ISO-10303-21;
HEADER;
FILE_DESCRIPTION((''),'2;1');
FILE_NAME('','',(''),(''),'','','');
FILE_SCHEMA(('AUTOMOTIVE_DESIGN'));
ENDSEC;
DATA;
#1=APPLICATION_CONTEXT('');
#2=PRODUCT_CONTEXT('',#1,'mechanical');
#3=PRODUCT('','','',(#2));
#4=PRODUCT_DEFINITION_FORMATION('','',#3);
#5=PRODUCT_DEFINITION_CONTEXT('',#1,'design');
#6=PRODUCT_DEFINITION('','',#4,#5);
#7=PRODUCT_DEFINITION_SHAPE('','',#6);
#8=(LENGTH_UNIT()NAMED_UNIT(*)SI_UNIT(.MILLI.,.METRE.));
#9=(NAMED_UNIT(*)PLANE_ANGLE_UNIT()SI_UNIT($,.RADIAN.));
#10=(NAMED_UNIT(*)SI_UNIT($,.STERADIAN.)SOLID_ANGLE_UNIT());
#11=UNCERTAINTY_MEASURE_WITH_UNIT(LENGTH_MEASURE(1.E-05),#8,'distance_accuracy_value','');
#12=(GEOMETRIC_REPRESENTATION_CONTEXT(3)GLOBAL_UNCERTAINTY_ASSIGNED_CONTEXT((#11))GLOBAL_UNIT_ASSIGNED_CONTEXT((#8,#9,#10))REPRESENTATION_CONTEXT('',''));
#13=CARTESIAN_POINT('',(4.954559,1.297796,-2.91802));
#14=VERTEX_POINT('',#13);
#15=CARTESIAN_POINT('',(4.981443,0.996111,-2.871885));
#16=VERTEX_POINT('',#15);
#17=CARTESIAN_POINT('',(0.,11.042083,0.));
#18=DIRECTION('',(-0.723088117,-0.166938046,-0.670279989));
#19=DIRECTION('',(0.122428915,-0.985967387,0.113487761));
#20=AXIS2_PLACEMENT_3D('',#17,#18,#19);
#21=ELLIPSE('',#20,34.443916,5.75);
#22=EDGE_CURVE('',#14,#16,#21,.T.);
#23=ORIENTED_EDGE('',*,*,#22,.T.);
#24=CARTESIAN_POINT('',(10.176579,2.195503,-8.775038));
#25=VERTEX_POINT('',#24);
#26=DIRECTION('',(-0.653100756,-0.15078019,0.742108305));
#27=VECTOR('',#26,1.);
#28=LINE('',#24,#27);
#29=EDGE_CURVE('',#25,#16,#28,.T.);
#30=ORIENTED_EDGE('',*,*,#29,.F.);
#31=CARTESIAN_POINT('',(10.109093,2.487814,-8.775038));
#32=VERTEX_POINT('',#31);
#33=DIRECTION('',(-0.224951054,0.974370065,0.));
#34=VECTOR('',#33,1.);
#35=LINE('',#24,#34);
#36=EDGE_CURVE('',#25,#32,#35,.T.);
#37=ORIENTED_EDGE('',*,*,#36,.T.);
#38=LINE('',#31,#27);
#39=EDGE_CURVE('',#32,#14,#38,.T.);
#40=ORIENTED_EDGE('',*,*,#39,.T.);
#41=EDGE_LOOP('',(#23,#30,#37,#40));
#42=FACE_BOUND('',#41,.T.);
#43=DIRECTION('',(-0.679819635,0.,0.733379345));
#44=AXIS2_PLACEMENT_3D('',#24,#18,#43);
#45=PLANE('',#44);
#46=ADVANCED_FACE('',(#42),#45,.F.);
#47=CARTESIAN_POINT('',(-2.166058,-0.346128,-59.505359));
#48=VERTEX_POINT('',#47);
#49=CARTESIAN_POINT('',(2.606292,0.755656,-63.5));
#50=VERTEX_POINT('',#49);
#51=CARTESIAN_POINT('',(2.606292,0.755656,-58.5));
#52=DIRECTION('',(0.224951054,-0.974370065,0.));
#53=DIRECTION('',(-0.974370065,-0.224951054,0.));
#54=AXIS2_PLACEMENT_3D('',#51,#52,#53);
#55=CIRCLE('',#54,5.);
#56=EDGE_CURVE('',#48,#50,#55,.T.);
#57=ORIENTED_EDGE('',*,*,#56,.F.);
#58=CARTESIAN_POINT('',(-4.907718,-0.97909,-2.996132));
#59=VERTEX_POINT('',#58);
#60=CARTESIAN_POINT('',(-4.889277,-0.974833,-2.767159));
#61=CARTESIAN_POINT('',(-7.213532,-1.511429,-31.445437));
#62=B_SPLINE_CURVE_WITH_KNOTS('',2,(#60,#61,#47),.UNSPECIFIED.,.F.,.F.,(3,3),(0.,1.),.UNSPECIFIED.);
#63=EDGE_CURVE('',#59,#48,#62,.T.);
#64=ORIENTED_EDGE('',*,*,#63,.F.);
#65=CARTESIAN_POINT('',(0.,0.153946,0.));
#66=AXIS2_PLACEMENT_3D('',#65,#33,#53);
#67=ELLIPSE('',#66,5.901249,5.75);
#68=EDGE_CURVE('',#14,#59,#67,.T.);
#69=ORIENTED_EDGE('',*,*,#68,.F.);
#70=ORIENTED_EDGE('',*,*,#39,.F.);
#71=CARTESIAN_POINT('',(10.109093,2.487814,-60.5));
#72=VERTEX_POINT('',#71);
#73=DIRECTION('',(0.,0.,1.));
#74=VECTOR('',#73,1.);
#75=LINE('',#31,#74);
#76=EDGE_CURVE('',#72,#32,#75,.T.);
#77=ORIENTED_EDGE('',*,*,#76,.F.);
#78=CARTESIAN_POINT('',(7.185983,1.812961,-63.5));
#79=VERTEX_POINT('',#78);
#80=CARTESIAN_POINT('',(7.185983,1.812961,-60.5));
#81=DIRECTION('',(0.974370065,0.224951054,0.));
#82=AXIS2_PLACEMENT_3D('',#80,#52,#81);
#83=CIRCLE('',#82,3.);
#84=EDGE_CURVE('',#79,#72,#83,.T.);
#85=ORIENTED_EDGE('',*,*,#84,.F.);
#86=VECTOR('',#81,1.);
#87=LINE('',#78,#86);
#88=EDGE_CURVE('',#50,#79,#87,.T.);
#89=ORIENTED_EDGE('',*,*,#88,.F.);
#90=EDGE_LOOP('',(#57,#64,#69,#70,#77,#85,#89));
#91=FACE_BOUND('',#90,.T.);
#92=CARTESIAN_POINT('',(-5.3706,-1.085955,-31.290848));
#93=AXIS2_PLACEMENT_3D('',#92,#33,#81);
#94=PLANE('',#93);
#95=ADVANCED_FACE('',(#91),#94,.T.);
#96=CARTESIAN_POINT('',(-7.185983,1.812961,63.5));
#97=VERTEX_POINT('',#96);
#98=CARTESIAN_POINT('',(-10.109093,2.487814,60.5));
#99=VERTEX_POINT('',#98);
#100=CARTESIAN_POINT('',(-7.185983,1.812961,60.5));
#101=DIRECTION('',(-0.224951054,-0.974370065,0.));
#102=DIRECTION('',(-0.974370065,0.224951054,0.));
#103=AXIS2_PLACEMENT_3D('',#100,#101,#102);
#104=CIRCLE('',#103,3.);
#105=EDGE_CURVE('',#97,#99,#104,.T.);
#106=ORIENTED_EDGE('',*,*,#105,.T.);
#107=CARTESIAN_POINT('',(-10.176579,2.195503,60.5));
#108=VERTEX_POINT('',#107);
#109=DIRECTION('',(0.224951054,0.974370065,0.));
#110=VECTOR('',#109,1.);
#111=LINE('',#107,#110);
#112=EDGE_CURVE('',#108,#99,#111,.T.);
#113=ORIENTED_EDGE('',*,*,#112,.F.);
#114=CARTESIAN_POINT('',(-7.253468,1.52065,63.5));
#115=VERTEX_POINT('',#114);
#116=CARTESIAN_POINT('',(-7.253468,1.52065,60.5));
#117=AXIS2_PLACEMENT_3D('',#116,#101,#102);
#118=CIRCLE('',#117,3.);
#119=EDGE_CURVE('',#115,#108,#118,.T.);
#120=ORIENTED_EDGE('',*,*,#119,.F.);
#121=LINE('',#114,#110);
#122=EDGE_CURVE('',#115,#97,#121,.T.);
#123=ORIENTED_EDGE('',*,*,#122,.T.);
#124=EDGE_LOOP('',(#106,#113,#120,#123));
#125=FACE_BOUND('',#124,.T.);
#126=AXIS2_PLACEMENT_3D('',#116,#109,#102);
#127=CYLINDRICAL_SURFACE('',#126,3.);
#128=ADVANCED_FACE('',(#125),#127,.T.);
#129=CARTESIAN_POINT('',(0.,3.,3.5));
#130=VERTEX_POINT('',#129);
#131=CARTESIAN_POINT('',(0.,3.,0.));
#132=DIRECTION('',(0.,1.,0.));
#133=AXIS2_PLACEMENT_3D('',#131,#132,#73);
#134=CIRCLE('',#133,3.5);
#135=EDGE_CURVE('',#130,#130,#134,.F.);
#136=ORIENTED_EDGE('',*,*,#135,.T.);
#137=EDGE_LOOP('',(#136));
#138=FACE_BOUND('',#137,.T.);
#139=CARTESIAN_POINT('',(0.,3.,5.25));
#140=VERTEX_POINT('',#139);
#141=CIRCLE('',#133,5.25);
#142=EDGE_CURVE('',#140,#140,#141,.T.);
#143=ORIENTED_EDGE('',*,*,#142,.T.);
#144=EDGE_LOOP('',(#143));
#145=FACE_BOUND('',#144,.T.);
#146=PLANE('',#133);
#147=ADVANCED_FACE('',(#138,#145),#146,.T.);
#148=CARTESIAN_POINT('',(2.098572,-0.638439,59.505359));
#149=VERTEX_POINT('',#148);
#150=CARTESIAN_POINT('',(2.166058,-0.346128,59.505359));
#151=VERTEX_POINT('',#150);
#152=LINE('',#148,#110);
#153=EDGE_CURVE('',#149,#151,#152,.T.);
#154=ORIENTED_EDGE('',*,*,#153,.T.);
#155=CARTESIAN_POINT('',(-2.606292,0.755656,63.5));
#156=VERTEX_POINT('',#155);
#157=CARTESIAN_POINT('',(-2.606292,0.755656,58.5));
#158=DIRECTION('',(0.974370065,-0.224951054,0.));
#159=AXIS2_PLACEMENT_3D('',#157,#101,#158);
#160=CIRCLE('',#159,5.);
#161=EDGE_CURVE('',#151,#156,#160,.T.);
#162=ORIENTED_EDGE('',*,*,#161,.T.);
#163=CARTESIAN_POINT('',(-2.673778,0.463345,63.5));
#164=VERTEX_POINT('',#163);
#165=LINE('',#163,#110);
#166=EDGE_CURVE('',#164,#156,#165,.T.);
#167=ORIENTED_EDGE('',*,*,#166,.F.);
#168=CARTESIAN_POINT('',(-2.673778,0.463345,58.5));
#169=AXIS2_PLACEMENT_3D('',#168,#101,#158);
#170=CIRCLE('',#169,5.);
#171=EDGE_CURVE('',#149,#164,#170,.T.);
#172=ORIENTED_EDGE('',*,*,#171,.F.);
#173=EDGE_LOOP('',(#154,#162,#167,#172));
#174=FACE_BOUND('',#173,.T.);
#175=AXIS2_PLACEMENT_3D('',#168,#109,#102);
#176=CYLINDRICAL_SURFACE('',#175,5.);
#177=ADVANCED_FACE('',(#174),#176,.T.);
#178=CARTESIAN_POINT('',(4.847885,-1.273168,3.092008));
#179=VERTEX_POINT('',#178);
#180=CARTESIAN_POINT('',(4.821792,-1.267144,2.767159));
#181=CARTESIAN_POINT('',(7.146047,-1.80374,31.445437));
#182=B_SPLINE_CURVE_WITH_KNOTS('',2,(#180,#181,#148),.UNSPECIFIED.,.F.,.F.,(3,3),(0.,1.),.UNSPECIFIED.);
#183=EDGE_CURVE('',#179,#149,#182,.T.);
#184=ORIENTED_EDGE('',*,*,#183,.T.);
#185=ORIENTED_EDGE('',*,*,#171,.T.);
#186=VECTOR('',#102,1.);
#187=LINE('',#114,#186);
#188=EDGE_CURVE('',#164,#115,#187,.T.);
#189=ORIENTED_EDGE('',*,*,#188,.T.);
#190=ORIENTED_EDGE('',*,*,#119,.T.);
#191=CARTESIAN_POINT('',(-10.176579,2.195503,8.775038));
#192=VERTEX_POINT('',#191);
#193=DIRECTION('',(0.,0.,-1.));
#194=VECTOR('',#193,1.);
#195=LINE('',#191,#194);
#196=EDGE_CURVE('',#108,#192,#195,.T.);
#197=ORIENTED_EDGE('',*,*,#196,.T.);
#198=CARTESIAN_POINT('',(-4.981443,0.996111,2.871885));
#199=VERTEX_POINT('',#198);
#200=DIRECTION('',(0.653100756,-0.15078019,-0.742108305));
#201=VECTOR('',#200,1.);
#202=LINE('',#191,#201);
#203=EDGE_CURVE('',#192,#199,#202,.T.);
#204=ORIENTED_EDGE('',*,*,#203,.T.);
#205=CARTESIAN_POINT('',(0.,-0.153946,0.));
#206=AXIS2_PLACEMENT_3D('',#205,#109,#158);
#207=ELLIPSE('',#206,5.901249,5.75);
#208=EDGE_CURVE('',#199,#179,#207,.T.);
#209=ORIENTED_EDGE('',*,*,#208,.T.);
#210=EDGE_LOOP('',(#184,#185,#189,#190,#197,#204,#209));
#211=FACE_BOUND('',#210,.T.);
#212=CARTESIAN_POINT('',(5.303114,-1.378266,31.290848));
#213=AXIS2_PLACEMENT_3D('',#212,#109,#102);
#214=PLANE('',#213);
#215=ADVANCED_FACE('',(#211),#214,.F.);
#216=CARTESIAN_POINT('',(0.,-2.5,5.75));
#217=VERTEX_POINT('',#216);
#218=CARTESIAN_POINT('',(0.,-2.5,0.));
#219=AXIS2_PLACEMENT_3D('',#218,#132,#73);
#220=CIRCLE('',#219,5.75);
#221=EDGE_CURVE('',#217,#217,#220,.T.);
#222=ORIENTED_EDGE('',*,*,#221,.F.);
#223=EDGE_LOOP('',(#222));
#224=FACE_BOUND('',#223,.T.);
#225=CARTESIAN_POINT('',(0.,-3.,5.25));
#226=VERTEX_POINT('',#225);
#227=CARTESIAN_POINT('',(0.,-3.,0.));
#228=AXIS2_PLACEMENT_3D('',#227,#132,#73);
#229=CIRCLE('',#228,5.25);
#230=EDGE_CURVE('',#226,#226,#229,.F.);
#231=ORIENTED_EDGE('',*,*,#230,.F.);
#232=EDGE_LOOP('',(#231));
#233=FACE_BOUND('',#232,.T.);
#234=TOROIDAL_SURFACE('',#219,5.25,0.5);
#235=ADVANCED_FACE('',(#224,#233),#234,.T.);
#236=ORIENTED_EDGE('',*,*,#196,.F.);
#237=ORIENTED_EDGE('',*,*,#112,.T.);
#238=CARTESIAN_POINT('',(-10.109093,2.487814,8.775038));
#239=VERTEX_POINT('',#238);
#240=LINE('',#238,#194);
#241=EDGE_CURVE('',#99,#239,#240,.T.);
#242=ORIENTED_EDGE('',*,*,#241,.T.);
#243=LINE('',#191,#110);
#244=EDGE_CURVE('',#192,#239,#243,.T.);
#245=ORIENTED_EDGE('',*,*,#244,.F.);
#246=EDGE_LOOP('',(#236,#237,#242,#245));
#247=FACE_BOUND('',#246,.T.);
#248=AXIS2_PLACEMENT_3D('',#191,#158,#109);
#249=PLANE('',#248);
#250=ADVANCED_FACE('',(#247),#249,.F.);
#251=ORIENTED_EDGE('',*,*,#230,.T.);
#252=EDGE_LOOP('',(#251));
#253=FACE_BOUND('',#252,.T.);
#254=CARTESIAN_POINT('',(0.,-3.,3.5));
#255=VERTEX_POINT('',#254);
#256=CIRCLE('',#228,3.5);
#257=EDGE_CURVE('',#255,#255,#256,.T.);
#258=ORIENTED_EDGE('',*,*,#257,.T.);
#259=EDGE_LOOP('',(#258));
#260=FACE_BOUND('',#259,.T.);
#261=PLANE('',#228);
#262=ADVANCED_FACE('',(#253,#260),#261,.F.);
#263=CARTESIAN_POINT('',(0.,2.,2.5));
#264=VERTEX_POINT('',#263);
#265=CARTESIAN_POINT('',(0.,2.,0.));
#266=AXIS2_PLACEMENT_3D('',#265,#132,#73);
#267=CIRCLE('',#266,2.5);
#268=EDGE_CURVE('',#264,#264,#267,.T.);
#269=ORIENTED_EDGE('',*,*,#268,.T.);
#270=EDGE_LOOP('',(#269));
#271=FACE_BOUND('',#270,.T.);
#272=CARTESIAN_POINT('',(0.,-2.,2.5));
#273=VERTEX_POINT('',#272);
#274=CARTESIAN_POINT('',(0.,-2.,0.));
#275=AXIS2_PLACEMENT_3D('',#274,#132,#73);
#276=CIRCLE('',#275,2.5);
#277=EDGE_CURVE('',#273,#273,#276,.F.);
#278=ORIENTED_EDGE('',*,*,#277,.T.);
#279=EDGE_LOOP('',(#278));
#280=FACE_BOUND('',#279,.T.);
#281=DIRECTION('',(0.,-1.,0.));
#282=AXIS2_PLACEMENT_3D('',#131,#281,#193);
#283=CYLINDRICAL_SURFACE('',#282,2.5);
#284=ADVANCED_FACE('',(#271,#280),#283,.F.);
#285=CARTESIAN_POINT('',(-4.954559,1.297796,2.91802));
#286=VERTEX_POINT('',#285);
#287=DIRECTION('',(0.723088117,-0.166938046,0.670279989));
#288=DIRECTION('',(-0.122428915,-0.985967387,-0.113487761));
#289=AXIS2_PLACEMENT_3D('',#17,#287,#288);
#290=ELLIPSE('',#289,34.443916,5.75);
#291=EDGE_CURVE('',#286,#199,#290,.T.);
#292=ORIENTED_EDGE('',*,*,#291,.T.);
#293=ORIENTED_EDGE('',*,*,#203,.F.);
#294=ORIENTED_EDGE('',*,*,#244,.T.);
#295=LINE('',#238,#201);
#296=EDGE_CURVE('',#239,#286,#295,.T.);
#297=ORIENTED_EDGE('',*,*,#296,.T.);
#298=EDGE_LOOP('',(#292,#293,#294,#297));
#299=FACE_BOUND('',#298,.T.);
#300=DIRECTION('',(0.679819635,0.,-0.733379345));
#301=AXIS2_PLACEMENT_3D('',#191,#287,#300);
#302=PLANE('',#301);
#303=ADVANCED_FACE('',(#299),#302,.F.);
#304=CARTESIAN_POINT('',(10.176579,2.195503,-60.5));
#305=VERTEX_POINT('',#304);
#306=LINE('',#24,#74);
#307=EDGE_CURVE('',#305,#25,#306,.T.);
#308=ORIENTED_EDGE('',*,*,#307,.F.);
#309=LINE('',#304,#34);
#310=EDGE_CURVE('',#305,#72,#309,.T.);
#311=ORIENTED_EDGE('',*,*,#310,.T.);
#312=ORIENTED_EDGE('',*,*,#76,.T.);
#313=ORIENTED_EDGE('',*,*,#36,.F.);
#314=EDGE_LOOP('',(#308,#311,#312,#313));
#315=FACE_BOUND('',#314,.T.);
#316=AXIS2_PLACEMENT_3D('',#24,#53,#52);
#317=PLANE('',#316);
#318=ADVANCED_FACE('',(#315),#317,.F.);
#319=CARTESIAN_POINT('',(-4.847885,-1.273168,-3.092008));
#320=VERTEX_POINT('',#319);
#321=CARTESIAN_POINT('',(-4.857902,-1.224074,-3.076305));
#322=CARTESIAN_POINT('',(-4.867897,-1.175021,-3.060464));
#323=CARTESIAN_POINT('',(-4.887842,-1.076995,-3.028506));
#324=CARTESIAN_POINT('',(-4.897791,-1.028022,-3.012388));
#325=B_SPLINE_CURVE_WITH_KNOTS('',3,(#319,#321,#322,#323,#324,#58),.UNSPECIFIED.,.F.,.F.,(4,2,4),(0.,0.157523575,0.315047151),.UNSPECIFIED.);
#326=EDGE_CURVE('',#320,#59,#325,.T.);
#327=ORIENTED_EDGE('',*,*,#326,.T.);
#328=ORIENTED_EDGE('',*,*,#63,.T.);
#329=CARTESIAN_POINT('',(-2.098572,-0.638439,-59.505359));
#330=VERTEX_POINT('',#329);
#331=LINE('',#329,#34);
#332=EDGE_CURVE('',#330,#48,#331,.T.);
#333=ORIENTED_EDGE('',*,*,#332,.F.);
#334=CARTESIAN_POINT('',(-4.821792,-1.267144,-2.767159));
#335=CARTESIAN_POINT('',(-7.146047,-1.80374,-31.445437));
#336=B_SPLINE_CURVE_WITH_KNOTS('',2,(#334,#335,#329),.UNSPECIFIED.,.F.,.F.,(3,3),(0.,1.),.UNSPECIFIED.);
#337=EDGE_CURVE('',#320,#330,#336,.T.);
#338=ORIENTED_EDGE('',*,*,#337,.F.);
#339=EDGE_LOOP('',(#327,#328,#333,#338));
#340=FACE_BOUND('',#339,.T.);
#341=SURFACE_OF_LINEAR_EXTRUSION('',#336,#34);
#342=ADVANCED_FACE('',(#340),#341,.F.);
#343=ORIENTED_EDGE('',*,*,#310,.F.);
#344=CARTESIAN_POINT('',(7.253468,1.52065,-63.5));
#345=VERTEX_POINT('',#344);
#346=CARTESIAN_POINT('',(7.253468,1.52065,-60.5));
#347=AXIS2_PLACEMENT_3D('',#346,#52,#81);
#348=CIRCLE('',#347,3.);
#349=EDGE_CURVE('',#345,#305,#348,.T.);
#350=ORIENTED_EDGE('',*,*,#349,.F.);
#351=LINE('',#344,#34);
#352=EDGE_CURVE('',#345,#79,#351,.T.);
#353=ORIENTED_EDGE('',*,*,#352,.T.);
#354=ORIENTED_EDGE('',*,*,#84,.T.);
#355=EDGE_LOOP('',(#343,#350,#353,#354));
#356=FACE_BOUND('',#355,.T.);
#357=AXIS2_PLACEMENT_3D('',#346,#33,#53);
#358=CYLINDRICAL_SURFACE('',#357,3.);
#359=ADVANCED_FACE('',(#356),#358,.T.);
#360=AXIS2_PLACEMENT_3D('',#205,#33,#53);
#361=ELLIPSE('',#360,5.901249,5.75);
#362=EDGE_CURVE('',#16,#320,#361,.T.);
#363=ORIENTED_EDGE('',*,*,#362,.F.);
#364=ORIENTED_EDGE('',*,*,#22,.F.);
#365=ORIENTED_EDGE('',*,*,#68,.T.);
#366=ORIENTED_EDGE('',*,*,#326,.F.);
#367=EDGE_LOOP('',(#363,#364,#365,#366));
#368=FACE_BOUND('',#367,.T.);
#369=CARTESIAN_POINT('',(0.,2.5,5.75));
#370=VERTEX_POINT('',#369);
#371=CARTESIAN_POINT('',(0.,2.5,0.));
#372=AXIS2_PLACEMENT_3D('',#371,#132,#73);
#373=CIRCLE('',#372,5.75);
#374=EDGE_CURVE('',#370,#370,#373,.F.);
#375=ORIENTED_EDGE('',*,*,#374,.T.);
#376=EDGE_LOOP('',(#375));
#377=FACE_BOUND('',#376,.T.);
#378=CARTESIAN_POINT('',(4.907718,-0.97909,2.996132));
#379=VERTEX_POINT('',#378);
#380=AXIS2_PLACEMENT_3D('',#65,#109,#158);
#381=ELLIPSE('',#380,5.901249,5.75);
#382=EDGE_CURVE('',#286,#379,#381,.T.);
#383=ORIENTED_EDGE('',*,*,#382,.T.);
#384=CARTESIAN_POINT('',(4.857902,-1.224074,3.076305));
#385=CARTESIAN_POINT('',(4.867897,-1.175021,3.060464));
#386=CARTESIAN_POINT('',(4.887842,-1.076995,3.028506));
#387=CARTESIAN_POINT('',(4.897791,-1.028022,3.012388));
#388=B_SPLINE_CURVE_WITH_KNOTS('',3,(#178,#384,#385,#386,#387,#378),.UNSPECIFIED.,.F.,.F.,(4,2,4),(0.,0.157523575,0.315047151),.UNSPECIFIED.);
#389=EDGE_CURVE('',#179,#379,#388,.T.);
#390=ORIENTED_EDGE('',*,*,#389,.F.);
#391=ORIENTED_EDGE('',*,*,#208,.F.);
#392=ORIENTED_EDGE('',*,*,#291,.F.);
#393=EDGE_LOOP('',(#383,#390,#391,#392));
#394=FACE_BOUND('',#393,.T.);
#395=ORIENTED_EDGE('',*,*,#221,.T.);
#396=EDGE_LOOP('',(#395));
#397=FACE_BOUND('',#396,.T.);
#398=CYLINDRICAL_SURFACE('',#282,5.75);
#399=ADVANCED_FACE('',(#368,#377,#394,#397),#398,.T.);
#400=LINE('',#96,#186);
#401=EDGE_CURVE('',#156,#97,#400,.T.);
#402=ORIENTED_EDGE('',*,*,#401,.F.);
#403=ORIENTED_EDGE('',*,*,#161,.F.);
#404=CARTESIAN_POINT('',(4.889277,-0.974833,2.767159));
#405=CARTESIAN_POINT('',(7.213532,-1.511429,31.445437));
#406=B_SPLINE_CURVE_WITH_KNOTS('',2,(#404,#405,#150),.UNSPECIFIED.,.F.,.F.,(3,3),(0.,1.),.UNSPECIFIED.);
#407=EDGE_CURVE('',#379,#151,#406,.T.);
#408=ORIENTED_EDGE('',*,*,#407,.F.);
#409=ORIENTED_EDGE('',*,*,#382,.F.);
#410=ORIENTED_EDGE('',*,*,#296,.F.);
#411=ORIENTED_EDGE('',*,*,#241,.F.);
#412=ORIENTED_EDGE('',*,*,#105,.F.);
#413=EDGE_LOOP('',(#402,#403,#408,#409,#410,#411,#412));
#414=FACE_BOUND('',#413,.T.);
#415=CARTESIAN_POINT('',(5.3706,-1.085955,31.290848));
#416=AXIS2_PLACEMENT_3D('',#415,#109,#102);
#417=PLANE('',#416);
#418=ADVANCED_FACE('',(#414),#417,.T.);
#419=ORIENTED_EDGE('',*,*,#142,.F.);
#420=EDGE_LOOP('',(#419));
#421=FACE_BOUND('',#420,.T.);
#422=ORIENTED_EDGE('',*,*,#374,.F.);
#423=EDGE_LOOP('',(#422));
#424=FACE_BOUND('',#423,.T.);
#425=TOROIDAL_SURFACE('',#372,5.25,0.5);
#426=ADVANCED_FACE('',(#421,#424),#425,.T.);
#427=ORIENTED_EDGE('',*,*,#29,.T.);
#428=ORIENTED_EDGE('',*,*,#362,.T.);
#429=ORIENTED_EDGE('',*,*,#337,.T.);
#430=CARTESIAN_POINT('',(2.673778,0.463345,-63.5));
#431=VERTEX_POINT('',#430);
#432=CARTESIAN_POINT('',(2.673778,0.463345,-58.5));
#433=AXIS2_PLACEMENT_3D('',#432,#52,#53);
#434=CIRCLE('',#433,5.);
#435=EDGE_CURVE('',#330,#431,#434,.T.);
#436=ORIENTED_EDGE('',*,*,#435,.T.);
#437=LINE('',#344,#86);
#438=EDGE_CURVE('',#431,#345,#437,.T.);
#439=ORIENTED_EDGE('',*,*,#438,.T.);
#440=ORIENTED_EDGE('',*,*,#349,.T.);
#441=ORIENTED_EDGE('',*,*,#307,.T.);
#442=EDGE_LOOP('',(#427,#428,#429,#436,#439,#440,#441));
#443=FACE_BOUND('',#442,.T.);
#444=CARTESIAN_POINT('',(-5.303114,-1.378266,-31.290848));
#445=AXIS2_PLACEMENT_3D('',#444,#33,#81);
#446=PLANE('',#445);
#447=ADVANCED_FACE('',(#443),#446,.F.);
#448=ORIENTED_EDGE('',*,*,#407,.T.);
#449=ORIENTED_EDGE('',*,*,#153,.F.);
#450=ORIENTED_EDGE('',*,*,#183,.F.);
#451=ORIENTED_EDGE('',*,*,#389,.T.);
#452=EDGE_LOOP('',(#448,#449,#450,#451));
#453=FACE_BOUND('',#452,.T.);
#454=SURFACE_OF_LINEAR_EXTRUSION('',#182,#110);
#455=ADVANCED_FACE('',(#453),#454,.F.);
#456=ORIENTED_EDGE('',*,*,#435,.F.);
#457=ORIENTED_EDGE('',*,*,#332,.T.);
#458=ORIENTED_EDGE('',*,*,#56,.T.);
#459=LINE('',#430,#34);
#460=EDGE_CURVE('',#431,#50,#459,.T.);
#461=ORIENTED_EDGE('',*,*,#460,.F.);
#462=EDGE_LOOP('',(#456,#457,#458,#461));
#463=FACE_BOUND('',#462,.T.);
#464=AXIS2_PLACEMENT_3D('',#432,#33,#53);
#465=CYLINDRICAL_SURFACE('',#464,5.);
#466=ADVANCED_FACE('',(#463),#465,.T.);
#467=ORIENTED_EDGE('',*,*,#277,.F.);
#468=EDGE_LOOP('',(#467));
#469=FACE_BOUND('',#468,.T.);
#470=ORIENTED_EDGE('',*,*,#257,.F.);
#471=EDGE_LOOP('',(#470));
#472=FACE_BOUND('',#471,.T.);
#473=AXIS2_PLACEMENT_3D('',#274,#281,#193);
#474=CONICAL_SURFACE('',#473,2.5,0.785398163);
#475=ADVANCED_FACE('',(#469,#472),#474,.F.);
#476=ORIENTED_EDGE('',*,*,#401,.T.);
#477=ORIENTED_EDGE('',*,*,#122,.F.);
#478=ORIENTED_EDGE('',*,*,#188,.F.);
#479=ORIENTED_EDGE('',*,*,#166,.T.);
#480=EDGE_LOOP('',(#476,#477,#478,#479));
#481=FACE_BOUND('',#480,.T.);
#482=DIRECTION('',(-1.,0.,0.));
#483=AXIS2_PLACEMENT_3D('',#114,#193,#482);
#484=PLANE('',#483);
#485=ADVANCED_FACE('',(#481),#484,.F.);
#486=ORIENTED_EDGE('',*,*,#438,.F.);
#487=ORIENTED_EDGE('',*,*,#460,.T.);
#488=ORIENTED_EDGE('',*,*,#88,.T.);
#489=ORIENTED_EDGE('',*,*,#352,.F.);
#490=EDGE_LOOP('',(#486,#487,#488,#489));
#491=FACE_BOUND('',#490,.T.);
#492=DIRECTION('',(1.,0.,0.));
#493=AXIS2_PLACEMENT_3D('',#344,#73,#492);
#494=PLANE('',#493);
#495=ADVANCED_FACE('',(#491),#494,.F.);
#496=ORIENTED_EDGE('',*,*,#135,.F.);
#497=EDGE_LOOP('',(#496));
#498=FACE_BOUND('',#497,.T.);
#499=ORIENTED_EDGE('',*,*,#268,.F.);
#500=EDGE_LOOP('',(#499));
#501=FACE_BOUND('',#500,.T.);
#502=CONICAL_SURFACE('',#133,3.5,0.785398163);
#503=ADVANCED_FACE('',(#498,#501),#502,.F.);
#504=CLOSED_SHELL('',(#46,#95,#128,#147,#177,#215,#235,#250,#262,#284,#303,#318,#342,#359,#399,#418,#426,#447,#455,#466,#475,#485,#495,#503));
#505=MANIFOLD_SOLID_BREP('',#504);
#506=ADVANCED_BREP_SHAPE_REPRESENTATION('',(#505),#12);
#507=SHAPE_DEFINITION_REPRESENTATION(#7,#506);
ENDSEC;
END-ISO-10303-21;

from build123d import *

# Parameters (mm, degrees)
SKETCH1_R            = 5.75
BOSS_EXTRUDE2_DEPTH  = 3
BOSS_EXTRUDE10_DEPTH = 0.15
CIRPATTERN1_COUNT    = 2
SKETCH5_R            = 2.5
CUT_EXTRUDE1_DEPTH   = 65.589571664
FILLET1_R            = 0.5
CHAMFER1_SIZE        = 1


with BuildPart() as part:
    # Sketch1 → Boss-Extrude2 (new, symmetric)
    with BuildSketch(Plane(origin=(0, 0, 0), x_dir=(1, 0, 0), z_dir=(0, 1, 0))):
        with Locations(Location((0, 0, 0), (0, 0, 270))):
            Circle(SKETCH1_R)
    extrude(amount=BOSS_EXTRUDE2_DEPTH, both=True)

    # Sketch4 → Boss-Extrude10 (add, symmetric)
    with BuildSketch(Plane(origin=(0, 0, 0), x_dir=(0.9743700647852351, -0.22495105434386553, 0), z_dir=(-0.22495105434386553, -0.9743700647852351, 0))):
        with BuildLine():
            Line((-10.409634183, 8.775037851), (-10.409634183, 60.5))
            ThreePointArc((-10.409634183, 60.5), (-9.530954526, 62.621320344), (-7.409634183, 63.5))
            Line((-7.409634183, 63.5), (-2.709478927, 63.5))
            ThreePointArc((-2.709478927, 63.5), (0.450679553, 62.374712683), (2.188403531, 59.505359351))
            add(Edge.make_bspline(
                [(4.983255085, 2.767158968), (7.368647348, 31.445436933), (2.188403531, 59.505359351)],
                knots=[0, 0, 0, 1, 1, 1], degree=2))
            ThreePointArc((4.983255085, 2.767158968), (0, 5.7), (-4.983255085, 2.767158968))
            Line((-4.983255085, 2.767158968), (-10.409634183, 8.775037851))
        make_face()
    boss_extrude10 = extrude(amount=BOSS_EXTRUDE10_DEPTH, both=True)

    # CirPattern1: Boss-Extrude10 ×2 about axis
    cirpattern1_axis = Axis((0, 3, 0), (0, -1, 0))
    for i in range(1, CIRPATTERN1_COUNT):
        add(boss_extrude10.rotate(cirpattern1_axis, i * 360 / CIRPATTERN1_COUNT))

    # Sketch5 → Cut-Extrude1 (cut, through all)
    with BuildSketch(Plane.XZ.offset(3)):
        with Locations(Location((0, 0, 0), (0, 0, 270))):
            Circle(SKETCH5_R)
    extrude(amount=-CUT_EXTRUDE1_DEPTH, mode=Mode.SUBTRACT)

    # Fillet1
    fillet1_edges = [part.edges().sort_by_distance(p)[0] for p in [
        (0, -3, -5.75),
        (0, 3, -5.75),
    ]]
    fillet(fillet1_edges, radius=FILLET1_R)

    # Chamfer1
    chamfer1_edges = [part.edges().sort_by_distance(p)[0] for p in [
        (0, 3, 2.5),
        (0, -3, 2.5),
    ]]
    chamfer(chamfer1_edges, length=CHAMFER1_SIZE)


solid = part.part
